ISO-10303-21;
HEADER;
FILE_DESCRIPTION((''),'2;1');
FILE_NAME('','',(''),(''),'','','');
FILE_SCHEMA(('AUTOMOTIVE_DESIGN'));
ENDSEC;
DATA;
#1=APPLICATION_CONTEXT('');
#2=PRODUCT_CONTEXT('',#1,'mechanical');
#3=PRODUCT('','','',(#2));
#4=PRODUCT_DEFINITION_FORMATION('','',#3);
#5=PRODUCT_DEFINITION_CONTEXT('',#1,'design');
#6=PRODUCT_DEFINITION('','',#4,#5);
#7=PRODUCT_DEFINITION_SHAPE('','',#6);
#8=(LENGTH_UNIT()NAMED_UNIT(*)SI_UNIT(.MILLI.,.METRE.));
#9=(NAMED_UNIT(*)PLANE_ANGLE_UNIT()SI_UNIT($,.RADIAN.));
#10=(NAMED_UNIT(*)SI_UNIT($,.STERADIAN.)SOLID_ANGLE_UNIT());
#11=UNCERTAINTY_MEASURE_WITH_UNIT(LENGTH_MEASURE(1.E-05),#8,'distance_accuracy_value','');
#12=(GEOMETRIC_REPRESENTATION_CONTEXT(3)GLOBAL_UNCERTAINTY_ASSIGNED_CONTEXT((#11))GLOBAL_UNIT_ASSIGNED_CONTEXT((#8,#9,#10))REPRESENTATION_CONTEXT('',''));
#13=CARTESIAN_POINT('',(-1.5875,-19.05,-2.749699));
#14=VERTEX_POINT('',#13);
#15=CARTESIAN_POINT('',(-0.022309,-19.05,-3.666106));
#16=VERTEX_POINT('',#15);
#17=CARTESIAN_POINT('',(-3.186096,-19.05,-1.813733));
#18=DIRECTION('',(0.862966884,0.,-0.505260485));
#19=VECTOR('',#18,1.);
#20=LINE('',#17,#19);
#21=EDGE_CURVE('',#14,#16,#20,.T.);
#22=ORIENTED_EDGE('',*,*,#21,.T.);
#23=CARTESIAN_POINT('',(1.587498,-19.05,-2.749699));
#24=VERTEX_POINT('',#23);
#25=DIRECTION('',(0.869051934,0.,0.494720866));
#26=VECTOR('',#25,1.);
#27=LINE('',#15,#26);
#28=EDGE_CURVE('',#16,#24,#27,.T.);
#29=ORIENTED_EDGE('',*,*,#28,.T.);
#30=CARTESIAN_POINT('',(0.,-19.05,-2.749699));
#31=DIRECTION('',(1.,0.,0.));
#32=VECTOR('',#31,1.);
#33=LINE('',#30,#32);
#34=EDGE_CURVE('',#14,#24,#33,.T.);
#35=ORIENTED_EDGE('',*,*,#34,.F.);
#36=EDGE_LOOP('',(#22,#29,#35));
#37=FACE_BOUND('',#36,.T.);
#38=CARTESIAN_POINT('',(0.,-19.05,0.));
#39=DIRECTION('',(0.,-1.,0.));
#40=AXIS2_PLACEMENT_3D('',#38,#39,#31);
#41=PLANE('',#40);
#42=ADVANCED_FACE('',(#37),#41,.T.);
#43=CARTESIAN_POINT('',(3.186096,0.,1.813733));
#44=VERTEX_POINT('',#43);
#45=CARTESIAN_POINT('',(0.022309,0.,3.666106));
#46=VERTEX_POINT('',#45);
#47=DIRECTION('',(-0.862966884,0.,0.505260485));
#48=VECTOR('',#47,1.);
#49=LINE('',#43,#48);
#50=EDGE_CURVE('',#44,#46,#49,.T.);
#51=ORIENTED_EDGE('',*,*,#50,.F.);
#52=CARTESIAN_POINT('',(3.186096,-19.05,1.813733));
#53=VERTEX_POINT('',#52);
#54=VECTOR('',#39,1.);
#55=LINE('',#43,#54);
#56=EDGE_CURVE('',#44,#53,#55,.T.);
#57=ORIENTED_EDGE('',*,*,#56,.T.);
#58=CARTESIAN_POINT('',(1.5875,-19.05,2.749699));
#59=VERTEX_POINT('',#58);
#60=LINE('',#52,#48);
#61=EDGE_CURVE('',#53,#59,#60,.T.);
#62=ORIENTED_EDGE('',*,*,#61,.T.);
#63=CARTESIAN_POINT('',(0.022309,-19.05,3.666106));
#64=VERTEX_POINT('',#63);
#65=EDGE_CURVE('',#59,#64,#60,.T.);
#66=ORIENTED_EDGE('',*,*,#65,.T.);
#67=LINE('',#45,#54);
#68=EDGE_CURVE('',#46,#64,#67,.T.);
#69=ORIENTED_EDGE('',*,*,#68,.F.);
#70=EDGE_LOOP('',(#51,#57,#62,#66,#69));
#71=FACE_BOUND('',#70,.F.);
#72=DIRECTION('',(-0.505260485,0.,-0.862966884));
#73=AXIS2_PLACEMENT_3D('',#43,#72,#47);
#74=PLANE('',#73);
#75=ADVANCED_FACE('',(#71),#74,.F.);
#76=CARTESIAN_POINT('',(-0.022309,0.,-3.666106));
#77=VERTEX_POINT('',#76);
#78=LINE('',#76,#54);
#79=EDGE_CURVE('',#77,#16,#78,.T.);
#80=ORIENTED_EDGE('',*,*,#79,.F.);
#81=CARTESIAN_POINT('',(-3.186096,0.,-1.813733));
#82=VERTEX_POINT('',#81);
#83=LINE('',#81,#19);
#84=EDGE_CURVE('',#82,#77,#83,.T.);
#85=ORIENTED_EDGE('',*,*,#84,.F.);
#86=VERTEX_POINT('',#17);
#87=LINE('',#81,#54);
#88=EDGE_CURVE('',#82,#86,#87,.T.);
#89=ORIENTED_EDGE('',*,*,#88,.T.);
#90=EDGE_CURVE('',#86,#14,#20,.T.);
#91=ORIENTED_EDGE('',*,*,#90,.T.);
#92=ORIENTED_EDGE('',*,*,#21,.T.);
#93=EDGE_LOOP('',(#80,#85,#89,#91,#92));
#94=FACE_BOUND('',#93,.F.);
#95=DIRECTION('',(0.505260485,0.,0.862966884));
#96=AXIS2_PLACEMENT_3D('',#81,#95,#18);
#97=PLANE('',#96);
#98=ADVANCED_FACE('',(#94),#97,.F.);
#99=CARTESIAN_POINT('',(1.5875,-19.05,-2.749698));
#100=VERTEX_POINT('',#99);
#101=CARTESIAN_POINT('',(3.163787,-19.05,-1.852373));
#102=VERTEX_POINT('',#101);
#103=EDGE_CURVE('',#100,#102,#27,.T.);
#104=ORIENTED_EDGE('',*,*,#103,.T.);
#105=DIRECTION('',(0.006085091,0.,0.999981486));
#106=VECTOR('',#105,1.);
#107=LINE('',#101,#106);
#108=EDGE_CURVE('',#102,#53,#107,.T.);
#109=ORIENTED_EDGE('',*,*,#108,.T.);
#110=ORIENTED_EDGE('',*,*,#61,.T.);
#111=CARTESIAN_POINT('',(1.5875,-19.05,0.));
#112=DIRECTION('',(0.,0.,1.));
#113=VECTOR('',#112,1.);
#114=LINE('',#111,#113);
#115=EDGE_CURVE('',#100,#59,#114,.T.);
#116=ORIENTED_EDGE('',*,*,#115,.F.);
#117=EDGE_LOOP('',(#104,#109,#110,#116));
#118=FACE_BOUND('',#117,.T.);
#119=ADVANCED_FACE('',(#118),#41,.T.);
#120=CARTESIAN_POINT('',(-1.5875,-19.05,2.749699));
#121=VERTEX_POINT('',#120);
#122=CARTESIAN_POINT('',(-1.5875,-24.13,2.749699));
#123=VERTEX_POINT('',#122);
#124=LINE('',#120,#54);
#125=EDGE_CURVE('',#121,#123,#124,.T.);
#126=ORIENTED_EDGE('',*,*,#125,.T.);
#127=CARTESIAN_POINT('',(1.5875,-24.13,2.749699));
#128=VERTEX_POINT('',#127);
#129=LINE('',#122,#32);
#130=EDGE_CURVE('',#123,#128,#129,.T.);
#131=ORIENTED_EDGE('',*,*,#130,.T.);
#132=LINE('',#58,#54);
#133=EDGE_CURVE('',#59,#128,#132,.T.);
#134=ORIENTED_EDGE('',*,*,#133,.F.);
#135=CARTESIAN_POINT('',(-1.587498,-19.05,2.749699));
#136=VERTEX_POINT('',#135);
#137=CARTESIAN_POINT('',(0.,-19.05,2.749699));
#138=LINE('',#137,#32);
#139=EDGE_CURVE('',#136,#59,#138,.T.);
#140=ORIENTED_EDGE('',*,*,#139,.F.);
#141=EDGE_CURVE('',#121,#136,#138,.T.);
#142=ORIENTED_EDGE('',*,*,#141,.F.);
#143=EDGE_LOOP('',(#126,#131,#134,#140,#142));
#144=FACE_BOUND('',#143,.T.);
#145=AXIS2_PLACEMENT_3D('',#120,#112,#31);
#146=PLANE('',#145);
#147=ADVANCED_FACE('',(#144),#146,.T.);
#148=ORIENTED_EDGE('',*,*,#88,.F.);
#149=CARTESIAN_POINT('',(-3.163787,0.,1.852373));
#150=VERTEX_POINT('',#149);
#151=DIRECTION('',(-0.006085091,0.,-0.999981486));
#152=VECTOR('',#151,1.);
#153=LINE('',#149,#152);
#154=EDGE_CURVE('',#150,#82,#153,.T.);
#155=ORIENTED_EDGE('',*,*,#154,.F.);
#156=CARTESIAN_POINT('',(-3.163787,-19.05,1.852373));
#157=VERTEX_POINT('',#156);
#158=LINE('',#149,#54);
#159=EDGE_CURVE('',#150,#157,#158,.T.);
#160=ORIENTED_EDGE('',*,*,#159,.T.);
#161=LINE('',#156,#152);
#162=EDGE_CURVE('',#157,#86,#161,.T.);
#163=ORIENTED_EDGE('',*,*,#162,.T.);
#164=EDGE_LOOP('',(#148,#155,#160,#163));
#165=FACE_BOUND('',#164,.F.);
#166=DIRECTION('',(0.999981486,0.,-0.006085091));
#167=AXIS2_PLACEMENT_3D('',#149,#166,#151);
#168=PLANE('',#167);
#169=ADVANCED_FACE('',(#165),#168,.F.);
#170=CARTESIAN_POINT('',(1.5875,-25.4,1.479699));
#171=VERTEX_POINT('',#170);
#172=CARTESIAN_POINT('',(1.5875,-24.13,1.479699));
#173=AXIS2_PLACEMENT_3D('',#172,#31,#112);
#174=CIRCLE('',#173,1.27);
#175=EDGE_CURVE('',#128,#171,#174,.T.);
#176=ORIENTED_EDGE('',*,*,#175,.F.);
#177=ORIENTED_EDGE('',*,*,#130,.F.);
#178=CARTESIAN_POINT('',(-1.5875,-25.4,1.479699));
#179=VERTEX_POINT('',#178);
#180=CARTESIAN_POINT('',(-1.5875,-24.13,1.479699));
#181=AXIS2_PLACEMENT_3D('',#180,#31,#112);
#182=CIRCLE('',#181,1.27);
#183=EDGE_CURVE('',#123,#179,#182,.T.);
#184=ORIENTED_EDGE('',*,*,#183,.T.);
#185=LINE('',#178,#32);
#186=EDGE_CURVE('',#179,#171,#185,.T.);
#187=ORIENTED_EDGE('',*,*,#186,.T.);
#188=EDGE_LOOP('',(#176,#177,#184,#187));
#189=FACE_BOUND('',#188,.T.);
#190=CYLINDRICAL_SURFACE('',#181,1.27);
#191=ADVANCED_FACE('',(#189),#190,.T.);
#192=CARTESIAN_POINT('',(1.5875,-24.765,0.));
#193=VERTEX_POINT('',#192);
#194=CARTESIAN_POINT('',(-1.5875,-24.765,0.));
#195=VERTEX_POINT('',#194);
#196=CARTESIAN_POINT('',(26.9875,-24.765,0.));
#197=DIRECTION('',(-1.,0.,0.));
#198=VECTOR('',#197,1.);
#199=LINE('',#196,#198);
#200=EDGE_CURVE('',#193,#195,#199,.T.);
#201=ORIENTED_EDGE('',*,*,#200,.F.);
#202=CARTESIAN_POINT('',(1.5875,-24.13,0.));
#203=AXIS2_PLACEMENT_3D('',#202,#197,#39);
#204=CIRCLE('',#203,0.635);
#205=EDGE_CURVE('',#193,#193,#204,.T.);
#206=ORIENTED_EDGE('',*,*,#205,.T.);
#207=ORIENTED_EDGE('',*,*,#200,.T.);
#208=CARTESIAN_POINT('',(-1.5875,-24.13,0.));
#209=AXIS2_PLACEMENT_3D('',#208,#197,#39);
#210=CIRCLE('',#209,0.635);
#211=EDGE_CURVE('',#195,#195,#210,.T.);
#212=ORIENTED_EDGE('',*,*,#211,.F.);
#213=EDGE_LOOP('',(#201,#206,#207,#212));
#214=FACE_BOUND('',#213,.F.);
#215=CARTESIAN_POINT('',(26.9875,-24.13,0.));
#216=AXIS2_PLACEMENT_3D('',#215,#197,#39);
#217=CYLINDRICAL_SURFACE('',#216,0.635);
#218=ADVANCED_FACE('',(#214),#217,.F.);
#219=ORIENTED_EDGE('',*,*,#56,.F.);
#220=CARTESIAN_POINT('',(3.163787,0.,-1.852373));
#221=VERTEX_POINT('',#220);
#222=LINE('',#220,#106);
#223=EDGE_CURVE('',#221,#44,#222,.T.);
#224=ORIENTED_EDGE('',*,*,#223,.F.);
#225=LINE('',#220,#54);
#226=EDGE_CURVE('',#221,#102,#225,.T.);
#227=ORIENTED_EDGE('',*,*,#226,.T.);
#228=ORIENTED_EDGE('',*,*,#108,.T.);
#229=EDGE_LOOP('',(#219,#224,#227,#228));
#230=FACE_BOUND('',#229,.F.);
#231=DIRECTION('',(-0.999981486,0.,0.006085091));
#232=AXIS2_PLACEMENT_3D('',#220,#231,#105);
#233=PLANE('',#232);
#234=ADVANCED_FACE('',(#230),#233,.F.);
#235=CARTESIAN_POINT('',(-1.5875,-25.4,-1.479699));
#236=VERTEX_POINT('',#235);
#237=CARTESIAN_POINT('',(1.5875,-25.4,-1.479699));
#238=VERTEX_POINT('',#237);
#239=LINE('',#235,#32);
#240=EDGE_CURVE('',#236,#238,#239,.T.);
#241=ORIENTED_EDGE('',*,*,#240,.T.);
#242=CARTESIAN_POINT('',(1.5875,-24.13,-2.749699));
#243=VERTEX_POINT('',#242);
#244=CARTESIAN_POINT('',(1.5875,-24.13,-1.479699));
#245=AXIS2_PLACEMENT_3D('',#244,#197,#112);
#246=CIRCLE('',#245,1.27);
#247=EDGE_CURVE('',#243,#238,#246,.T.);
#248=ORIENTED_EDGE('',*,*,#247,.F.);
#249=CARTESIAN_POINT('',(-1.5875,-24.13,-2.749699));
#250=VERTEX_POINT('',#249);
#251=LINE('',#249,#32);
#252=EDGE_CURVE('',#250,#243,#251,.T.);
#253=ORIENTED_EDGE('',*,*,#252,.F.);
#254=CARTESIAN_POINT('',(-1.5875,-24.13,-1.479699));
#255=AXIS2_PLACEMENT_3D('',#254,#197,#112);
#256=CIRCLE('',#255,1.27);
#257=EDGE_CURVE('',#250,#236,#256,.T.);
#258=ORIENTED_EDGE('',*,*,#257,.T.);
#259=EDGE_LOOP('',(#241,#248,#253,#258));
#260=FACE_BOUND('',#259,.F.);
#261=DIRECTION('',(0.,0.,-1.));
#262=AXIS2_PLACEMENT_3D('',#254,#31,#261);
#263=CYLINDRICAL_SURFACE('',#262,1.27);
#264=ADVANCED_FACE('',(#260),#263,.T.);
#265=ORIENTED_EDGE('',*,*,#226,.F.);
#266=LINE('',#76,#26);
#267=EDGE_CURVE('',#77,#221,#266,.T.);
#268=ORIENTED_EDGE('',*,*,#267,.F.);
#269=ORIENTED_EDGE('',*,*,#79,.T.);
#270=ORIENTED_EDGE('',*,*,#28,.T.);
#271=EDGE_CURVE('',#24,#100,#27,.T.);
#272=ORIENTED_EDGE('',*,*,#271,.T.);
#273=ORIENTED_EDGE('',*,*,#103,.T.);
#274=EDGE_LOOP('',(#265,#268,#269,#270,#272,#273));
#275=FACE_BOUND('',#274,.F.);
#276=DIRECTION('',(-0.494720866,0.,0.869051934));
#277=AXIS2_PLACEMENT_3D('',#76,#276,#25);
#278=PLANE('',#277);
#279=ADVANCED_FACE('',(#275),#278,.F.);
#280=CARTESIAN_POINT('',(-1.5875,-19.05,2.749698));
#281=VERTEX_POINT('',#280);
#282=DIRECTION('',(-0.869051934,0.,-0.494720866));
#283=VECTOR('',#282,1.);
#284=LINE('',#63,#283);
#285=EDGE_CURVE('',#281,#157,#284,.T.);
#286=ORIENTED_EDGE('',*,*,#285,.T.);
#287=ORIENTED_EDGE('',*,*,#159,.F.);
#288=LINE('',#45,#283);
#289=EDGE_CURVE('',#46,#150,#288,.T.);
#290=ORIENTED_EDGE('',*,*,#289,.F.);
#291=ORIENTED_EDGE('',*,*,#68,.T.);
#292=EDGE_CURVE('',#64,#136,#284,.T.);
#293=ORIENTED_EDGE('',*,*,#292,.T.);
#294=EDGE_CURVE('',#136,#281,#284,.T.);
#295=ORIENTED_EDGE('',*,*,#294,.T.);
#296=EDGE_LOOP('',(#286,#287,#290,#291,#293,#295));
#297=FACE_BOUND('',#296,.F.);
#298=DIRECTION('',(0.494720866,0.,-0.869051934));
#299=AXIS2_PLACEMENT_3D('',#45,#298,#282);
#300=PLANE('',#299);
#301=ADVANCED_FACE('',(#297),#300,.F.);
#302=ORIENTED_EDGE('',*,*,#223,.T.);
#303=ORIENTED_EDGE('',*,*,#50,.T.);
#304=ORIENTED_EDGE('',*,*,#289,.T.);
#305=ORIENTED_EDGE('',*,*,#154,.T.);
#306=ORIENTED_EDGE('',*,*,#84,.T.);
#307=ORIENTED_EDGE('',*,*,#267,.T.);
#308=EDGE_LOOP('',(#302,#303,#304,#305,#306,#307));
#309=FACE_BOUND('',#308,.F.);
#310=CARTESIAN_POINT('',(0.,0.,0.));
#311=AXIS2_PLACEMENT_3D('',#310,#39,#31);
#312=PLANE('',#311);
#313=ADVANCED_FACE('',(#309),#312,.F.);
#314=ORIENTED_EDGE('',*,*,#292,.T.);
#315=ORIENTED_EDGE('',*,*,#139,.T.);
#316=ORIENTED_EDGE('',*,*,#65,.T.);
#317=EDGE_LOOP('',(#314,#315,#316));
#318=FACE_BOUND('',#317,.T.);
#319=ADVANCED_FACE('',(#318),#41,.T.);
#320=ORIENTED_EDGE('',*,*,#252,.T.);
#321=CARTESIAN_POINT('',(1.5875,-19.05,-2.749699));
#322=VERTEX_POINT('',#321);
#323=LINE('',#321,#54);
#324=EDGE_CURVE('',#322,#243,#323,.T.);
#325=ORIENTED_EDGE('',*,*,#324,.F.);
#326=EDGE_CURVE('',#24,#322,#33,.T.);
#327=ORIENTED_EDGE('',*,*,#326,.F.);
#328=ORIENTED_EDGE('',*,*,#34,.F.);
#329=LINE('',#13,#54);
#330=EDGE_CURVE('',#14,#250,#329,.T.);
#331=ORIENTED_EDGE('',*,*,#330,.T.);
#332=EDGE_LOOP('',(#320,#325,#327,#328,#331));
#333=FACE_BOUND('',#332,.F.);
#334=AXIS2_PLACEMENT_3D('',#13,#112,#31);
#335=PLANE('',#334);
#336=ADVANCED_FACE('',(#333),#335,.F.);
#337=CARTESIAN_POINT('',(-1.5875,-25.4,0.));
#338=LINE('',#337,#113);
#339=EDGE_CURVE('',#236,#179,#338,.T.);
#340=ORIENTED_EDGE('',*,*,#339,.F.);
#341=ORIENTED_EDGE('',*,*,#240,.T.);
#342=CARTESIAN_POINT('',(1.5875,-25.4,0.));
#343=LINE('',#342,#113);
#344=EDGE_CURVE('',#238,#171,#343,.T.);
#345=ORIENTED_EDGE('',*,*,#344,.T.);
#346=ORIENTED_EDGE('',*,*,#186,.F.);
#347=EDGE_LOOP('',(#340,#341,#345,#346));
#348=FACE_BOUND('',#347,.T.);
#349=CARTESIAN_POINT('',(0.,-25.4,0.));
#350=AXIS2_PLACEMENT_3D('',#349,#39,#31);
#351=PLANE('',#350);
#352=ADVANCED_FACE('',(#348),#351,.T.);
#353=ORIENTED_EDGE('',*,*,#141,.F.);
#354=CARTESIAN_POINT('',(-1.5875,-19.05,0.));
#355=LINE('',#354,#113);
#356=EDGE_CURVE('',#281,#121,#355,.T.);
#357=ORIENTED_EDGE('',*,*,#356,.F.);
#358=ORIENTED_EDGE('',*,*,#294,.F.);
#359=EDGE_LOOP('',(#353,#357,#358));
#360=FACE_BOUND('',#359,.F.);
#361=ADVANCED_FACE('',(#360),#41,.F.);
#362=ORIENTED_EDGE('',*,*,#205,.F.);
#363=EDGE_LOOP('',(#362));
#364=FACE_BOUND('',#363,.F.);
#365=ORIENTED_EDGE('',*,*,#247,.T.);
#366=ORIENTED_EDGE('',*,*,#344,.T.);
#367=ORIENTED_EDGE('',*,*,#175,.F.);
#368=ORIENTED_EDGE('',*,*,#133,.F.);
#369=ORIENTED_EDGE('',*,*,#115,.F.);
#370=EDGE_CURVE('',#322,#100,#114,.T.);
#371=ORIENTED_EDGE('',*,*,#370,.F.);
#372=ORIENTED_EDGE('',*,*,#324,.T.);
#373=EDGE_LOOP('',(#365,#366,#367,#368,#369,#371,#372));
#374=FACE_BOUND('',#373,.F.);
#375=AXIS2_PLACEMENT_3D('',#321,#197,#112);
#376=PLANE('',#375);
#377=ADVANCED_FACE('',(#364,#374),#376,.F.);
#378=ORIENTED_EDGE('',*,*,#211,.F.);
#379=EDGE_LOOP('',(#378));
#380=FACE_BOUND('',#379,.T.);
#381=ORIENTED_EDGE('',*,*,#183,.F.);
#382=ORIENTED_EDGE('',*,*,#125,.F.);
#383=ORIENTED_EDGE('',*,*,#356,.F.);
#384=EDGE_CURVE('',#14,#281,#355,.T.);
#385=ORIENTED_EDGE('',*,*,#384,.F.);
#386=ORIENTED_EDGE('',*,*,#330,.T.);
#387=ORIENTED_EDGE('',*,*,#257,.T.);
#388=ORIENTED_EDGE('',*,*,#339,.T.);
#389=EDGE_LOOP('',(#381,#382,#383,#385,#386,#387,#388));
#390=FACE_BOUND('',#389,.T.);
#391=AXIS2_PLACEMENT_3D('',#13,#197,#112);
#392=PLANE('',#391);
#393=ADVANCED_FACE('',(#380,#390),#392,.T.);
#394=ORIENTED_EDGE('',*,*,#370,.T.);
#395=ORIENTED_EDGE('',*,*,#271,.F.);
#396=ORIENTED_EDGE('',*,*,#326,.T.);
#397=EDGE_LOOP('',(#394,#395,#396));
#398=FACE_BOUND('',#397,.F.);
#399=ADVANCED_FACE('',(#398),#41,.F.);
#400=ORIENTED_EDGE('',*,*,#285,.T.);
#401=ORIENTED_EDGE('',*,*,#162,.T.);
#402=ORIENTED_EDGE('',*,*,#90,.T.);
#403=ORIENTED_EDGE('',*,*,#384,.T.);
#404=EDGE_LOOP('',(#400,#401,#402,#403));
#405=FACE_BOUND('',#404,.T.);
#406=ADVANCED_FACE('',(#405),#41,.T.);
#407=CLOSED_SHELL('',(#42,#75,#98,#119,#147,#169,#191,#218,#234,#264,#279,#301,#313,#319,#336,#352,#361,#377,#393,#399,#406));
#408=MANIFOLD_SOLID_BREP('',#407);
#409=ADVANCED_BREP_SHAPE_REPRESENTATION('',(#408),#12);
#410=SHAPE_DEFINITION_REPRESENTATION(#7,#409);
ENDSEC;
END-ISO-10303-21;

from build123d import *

# Parameters (mm, degrees)
F1_DEPTH = 19.05
F2_W     = 3.175
F2_H     = 5.499398
F3_DEPTH = 6.35
F4_R     = 1.27
F6_D     = 1.27
F6_DEPTH = 25.4


with BuildPart() as f1:
    # F0 (on Front) → F1 (new body)
    with BuildSketch(Plane.XZ):
        Polygon((3.186096, 1.813733), (0.022309, 3.666106), (-3.163787, 1.852373), (-3.186096, -1.813733), (-0.022309, -3.666106), (3.163787, -1.852373), align=None)
    extrude(amount=F1_DEPTH)

    # F2 (on face) → F3 (join)
    with BuildSketch(Plane.XZ.offset(19.05)):
        Rectangle(F2_W, F2_H)
    extrude(amount=F3_DEPTH)

    # F4
    f4_edges = [f1.edges().sort_by_distance(p)[0] for p in [
        (0, -25.4, 2.749699),
        (0, -25.4, -2.749699),
    ]]
    fillet(f4_edges, radius=F4_R)

    # F6
    with Locations(Plane.YZ.offset(1.5875)):
        with Locations((-24.13, 0)):
            Hole(F6_D / 2, depth=F6_DEPTH)


solid = f1.part
